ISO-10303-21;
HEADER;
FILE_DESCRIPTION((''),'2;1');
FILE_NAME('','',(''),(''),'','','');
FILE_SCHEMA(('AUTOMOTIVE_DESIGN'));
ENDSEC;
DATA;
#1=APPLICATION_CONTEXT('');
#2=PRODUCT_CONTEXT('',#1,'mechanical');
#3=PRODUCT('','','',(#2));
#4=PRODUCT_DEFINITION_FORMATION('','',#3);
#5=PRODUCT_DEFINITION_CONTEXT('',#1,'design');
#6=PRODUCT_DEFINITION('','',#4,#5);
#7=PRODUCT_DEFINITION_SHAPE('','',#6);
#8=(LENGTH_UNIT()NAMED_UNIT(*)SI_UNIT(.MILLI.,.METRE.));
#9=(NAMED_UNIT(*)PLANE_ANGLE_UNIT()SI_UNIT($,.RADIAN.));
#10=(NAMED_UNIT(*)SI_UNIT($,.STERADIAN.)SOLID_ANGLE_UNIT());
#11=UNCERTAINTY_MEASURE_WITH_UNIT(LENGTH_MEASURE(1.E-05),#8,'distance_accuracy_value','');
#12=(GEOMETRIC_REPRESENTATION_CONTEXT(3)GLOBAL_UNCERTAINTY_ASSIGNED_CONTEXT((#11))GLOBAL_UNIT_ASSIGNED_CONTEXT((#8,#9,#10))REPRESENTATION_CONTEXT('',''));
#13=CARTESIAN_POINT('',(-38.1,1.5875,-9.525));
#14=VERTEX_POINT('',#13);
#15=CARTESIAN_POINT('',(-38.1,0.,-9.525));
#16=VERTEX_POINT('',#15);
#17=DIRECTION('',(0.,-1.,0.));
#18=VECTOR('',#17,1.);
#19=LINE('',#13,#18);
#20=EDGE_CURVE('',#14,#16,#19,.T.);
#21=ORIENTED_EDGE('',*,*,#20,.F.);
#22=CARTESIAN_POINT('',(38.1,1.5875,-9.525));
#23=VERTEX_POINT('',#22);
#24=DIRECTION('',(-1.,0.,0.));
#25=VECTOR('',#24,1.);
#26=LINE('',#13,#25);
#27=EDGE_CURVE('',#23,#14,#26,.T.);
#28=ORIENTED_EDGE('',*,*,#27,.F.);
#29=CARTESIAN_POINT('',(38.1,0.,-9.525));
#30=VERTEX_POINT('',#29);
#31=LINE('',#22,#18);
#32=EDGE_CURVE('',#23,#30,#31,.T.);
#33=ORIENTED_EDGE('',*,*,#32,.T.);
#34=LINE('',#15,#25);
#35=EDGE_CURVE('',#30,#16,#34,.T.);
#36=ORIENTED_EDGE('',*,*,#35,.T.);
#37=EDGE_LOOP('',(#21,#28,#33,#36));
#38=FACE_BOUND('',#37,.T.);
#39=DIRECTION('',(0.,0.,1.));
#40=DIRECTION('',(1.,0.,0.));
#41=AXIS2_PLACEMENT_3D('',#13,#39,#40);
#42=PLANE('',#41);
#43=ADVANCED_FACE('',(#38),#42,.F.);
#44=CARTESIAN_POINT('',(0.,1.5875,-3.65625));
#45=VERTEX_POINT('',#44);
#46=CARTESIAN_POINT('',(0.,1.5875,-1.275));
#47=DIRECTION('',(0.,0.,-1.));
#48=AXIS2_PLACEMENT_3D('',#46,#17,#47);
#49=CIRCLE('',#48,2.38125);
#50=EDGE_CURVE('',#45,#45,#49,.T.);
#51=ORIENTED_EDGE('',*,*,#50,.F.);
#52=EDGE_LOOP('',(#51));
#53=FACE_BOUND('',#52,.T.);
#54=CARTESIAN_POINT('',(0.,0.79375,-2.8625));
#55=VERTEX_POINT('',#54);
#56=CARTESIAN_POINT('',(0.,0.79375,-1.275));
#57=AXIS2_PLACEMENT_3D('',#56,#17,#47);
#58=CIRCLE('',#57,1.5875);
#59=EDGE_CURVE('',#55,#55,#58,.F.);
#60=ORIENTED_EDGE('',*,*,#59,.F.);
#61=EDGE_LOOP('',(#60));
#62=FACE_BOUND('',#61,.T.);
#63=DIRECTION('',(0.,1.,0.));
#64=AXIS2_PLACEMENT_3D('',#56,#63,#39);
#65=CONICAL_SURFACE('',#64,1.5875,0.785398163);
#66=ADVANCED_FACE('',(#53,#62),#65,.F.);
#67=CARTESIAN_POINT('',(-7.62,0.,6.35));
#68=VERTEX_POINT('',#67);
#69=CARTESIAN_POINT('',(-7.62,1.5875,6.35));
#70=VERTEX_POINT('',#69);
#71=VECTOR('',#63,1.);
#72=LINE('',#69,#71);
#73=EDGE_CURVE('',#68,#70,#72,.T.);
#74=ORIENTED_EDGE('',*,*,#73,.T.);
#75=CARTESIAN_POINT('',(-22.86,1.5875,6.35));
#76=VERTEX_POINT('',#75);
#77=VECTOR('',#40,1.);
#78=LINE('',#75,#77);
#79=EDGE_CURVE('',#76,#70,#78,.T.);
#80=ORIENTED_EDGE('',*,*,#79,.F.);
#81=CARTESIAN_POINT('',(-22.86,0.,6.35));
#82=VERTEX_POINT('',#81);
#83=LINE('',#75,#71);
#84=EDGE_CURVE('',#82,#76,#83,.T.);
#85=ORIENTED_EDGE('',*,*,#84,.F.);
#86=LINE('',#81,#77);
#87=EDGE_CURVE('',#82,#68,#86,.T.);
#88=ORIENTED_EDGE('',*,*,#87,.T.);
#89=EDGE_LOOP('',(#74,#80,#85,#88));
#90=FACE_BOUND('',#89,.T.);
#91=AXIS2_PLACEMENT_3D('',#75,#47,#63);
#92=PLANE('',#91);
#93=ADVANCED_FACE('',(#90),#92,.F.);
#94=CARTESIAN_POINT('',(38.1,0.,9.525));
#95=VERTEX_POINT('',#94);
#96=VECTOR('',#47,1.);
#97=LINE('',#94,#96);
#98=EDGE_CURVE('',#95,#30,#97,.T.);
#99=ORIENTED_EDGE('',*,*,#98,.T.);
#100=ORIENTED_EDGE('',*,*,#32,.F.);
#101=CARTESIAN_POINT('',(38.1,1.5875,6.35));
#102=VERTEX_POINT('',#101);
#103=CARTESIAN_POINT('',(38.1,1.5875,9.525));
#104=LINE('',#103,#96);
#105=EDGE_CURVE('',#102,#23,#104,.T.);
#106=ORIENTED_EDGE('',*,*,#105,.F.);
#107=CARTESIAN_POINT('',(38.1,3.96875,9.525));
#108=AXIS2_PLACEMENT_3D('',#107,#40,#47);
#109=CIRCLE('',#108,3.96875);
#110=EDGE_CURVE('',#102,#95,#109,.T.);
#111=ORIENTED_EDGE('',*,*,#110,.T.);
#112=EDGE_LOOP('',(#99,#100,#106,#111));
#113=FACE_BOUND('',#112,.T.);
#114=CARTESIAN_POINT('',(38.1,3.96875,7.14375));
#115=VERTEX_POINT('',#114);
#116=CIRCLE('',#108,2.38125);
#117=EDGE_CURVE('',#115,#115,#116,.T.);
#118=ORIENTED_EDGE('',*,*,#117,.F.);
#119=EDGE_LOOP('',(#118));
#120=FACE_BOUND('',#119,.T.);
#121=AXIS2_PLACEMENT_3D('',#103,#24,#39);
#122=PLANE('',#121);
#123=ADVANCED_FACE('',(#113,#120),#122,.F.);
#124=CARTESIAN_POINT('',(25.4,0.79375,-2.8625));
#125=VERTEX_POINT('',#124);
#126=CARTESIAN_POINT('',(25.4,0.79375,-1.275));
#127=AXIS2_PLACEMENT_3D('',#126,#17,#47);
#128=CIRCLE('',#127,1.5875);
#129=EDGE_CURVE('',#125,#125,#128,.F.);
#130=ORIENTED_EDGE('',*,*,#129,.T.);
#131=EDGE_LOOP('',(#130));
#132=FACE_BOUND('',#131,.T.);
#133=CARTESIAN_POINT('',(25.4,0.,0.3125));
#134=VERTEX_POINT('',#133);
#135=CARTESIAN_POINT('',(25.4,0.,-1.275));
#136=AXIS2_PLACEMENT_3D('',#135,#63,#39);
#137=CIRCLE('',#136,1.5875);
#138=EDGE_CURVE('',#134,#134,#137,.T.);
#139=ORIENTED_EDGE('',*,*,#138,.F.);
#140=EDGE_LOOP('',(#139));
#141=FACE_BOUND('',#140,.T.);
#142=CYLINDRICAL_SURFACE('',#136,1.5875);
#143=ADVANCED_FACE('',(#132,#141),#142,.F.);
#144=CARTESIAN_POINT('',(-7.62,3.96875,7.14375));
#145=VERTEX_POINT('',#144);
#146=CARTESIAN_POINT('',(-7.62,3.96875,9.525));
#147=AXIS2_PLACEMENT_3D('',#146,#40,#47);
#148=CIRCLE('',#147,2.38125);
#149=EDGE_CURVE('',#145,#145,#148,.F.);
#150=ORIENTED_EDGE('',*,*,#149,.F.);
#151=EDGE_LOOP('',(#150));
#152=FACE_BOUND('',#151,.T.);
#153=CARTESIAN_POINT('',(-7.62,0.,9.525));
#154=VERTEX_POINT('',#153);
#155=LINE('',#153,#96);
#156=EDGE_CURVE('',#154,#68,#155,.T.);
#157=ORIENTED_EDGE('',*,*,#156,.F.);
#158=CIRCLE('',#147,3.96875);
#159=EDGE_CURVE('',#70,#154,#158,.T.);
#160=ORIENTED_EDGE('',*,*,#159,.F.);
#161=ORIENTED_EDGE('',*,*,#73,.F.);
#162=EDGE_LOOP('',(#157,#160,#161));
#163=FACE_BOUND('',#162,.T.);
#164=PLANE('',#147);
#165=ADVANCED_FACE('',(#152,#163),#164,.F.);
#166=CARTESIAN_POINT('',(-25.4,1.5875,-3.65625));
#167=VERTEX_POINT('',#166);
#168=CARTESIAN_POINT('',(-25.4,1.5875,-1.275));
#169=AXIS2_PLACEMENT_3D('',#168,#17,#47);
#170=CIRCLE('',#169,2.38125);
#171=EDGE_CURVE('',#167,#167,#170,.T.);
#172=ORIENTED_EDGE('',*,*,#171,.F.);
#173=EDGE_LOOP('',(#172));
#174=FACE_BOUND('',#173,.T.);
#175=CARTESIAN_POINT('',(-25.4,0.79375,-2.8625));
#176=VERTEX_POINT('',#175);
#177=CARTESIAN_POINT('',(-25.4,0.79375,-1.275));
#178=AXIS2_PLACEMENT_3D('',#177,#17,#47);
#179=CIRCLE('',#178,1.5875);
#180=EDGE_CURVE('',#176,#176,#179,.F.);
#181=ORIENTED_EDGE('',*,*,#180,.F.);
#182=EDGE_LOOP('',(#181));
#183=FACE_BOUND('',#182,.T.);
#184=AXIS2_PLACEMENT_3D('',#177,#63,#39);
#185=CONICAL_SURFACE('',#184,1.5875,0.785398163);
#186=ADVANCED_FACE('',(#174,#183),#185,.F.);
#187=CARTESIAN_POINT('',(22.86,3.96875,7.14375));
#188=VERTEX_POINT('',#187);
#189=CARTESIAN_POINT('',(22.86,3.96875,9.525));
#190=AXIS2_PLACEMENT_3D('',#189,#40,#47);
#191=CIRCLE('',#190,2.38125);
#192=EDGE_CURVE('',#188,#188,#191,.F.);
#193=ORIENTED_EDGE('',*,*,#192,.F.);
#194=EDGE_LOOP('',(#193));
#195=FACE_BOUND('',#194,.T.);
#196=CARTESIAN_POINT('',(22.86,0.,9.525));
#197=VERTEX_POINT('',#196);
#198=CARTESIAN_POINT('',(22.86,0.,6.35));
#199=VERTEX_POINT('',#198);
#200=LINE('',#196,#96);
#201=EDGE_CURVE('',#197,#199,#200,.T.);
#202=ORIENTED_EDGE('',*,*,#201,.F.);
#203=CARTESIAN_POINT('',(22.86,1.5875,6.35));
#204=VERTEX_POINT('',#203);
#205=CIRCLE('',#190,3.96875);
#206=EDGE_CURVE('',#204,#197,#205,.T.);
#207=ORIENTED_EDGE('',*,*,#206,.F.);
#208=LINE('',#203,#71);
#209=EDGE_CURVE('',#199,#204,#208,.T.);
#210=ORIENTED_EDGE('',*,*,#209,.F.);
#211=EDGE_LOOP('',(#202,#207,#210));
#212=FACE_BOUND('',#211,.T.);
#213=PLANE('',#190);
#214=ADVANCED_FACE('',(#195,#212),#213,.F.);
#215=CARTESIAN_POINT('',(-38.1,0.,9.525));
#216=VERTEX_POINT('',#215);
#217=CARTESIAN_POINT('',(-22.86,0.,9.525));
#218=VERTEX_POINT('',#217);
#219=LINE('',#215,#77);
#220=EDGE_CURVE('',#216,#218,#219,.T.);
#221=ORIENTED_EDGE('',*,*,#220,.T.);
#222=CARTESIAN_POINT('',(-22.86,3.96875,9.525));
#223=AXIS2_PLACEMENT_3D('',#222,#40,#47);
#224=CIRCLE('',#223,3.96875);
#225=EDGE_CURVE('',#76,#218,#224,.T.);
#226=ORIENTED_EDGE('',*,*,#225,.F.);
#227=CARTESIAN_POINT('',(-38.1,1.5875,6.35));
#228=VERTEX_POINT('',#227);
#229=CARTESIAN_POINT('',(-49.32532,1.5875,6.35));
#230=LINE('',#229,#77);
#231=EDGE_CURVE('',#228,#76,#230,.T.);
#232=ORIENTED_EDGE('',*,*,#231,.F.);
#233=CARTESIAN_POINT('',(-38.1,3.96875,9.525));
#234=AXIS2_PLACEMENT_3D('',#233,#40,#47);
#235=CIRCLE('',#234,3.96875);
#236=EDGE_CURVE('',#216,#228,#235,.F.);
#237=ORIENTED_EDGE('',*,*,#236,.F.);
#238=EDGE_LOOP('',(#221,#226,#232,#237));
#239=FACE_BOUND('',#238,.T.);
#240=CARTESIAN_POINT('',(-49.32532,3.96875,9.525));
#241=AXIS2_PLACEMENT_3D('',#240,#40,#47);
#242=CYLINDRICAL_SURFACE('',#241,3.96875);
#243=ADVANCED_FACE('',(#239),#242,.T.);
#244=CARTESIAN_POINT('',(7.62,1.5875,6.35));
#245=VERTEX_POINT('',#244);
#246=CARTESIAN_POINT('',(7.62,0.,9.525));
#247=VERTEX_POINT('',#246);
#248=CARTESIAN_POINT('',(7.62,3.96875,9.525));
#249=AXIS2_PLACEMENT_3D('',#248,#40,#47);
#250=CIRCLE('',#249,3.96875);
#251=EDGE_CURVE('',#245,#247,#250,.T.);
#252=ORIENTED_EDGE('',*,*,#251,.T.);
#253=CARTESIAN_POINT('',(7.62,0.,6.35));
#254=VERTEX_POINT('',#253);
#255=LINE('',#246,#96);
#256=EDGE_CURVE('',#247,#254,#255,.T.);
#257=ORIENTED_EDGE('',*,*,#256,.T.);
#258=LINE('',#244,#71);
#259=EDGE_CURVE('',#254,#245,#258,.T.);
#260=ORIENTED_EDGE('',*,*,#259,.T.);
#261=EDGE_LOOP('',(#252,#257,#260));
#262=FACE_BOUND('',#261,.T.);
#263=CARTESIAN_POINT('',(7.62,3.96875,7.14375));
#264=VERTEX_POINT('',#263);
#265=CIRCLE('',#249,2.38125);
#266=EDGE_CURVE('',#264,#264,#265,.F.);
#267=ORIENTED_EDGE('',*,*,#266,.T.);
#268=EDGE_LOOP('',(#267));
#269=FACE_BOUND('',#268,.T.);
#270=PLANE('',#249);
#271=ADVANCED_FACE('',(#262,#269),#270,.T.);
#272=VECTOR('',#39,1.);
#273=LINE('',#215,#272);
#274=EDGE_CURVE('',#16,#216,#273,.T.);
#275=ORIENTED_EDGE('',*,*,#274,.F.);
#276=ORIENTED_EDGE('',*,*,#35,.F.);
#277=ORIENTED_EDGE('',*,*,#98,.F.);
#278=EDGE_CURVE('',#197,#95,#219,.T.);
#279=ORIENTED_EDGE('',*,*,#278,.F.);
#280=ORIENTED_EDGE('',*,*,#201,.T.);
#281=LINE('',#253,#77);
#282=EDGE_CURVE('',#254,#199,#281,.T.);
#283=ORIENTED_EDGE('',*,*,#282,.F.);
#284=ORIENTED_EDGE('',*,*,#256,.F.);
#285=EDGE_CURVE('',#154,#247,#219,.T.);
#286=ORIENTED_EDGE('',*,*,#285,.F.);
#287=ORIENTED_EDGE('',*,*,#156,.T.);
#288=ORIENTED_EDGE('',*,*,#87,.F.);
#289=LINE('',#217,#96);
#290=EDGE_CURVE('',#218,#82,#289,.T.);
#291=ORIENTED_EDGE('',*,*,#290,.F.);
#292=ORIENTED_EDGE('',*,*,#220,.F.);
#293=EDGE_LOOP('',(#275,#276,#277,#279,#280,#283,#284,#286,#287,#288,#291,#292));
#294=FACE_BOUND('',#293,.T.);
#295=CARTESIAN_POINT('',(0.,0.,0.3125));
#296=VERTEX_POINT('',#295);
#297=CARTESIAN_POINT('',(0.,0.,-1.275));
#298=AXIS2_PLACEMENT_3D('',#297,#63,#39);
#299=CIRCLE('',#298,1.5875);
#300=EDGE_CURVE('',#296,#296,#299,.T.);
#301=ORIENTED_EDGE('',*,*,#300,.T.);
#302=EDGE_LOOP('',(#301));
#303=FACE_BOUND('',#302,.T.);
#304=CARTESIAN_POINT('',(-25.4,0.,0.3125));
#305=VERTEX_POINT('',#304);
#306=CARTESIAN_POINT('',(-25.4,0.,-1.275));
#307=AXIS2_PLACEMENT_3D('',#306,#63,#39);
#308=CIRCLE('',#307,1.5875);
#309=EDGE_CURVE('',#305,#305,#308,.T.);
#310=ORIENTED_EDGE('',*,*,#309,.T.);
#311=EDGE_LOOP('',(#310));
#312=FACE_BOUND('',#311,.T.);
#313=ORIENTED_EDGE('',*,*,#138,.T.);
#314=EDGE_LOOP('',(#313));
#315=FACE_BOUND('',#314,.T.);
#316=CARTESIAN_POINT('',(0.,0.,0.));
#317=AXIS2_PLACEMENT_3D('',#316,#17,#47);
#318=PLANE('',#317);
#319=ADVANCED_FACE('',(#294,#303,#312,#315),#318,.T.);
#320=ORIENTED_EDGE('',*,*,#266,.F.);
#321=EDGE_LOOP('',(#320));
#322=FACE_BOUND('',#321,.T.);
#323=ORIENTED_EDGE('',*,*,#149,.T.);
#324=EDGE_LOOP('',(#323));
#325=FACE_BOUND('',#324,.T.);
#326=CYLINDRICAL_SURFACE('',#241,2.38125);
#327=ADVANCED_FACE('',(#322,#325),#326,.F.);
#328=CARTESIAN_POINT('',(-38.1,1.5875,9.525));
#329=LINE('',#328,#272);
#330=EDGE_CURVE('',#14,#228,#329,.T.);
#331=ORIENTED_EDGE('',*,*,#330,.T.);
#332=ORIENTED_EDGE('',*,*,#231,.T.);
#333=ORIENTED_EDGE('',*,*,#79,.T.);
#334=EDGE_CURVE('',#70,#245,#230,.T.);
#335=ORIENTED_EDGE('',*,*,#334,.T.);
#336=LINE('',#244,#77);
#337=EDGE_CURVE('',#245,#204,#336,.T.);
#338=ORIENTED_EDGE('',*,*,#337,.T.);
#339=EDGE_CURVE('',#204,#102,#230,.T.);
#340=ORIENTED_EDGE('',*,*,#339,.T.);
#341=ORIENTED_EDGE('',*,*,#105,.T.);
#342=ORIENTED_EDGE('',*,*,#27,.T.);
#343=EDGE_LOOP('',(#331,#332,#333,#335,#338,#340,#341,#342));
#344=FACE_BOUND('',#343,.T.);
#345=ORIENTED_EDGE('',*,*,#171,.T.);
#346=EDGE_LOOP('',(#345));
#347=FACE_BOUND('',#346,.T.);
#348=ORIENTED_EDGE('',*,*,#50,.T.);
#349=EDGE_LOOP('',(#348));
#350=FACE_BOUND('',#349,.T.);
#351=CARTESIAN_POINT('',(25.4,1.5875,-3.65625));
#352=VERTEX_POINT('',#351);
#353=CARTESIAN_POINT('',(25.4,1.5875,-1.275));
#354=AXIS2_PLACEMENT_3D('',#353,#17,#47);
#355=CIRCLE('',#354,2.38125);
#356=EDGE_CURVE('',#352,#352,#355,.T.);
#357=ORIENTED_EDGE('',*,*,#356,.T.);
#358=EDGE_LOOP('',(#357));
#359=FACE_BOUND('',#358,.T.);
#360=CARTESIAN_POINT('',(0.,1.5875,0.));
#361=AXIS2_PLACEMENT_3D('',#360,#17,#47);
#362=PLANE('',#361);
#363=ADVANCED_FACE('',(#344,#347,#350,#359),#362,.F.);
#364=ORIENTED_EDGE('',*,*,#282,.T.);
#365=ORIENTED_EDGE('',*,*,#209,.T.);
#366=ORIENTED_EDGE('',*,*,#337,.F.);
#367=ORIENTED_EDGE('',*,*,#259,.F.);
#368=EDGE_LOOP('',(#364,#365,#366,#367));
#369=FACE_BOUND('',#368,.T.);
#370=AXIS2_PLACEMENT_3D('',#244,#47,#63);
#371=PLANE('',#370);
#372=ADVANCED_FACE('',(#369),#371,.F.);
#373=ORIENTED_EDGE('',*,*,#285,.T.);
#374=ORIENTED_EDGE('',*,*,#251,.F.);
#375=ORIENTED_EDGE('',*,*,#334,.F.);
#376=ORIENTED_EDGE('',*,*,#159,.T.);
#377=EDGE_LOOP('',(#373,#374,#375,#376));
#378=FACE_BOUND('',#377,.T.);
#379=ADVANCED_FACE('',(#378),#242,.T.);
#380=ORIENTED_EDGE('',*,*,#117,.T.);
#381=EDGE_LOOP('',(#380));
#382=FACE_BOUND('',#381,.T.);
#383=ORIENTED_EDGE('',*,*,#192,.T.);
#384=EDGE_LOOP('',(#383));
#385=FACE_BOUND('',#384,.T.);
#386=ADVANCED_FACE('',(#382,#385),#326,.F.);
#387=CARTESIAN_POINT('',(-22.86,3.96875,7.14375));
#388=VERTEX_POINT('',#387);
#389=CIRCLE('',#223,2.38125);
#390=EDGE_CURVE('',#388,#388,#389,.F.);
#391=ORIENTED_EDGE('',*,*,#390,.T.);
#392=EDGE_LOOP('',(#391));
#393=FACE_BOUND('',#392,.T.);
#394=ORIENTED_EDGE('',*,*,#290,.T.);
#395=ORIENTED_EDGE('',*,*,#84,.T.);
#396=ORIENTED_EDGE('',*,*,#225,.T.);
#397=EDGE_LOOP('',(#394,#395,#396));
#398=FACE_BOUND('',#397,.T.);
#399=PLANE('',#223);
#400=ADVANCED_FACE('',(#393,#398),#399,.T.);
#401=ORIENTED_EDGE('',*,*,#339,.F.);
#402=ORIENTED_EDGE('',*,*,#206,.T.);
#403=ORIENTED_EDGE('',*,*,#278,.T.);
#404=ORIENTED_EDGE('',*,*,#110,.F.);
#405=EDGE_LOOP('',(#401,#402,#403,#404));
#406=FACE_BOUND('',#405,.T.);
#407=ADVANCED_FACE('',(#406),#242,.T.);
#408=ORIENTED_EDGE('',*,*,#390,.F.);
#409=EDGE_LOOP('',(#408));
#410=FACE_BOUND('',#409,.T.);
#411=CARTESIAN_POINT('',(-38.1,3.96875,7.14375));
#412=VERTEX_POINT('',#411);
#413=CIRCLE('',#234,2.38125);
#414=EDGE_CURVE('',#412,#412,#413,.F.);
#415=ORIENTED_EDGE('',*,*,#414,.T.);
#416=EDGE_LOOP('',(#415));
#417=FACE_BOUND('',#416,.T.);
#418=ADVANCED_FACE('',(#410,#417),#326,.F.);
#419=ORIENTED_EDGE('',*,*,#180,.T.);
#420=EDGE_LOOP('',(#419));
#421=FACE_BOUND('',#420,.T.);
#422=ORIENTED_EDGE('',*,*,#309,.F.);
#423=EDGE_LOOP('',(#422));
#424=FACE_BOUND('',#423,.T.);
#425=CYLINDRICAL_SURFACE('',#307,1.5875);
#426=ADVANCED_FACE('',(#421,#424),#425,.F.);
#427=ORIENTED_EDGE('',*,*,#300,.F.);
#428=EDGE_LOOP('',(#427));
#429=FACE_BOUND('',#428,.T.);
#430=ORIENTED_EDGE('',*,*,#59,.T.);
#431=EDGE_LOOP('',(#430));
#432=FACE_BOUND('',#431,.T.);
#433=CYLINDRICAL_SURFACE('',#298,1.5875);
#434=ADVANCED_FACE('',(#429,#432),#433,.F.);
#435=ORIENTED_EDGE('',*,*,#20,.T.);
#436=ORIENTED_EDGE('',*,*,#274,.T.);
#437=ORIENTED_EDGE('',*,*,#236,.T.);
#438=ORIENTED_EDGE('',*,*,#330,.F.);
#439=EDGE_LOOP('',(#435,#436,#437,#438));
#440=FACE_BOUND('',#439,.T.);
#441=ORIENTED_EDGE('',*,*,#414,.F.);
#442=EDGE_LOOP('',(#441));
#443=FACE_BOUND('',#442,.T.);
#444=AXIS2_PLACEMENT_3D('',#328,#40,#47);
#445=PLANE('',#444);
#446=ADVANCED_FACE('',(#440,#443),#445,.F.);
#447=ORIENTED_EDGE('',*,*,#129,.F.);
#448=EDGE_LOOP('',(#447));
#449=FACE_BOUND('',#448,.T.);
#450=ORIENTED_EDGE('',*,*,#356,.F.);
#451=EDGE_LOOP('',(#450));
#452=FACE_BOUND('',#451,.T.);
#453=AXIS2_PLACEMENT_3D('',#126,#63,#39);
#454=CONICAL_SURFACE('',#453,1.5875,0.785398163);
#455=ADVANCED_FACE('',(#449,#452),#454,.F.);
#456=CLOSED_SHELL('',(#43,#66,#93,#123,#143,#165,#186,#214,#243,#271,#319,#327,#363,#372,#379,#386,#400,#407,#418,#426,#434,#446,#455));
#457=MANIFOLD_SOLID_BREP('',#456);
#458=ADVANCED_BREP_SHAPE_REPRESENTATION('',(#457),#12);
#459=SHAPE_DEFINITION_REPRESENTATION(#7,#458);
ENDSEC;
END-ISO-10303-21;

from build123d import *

# Parameters (mm, degrees)
SKETCH1_W                  = 76.2
SKETCH1_H                  = 19.05
BOSS_EXTRUDE1_DEPTH        = 1.5875
SKETCH2_R                  = 3.96875
SKETCH2_R_2                = 2.38125
BOSS_EXTRUDE2_DEPTH        = 76.2
SKETCH4_R                  = 1.5875
CUT_EXTRUDE1_DEPTH         = 41.914713601
CHAMFER1_SIZE              = 0.79375
LPATTERN1_COUNT            = 3
LPATTERN1_PITCH            = 25.4
CHAMFER1_OF_LPATTERN1_SIZE = 0.79375
CUT_EXTRUDE2_START         = -15.24
CUT_EXTRUDE2_DEPTH         = 15.24
LPATTERN2_COUNT            = 5
LPATTERN2_PITCH            = 15.24


with BuildPart() as part:
    # Sketch1 → Boss-Extrude1 (new body)
    with BuildSketch(Plane(origin=(0, 0, 0), x_dir=(1, 0, 0), z_dir=(0, 1, 0))):
        Rectangle(SKETCH1_W, SKETCH1_H)
    extrude(amount=BOSS_EXTRUDE1_DEPTH)

    # Sketch2 → Boss-Extrude2 (add)
    with BuildSketch(Plane(origin=(38.1, 0, 0), x_dir=(0, 0, -1), z_dir=(1, 0, 0))):
        with Locations((-9.525, 3.96875)):
            Circle(SKETCH2_R)
        with Locations((-9.525, 3.96875)):
            Circle(SKETCH2_R_2, mode=Mode.SUBTRACT)
    extrude(amount=-BOSS_EXTRUDE2_DEPTH)

    # Sketch4 → Cut-Extrude1 (cut, through all)
    with BuildSketch(Plane(origin=(0, 1.5875, 0), x_dir=(1, 0, 0), z_dir=(0, 1, 0))):
        with Locations(Location((-25.4, 1.275, 0), (0, 0, 270))):
            Circle(SKETCH4_R)
    cut_extrude1 = extrude(amount=-CUT_EXTRUDE1_DEPTH, mode=Mode.SUBTRACT)

    # Chamfer1
    chamfer1_edges = [part.edges().sort_by_distance(p)[0] for p in [
        (-25.4, 1.5875, -2.8625),
    ]]
    chamfer(chamfer1_edges, length=CHAMFER1_SIZE)

    # LPattern1: Cut-Extrude1 ×3
    with Locations(*[(i * LPATTERN1_PITCH, 0, 0) for i in range(1, LPATTERN1_COUNT)]):
        add(cut_extrude1, mode=Mode.SUBTRACT)

    # Chamfer1 of LPattern1
    chamfer1_of_lpattern1_edges = [part.edges().sort_by_distance(p)[0] for p in [
        (0, 1.5875, -2.8625),
        (25.4, 1.5875, -2.8625),
    ]]
    chamfer(chamfer1_of_lpattern1_edges, length=CHAMFER1_OF_LPATTERN1_SIZE)

    # Sketch5 → Cut-Extrude2 (cut)
    with BuildSketch(Plane(origin=(38.1, 0, 0), x_dir=(0, 0, -1), z_dir=(1, 0, 0)).offset(CUT_EXTRUDE2_START)):
        with BuildLine():
            Line((-6.35, 1.5875), (-6.35, 0))
            Line((-6.35, 0), (-9.525, 0))
            ThreePointArc((-9.525, 0), (-11.299878957, 7.518507914), (-6.35, 1.5875))
        make_face()
    cut_extrude2 = extrude(amount=-CUT_EXTRUDE2_DEPTH, mode=Mode.SUBTRACT)

    # LPattern2: Cut-Extrude2 ×5, 2 skipped
    with Locations(*[(-i * LPATTERN2_PITCH, 0, 0) for i in range(1, LPATTERN2_COUNT) if i not in (1, 3)]):
        add(cut_extrude2, mode=Mode.SUBTRACT)


solid = part.part
